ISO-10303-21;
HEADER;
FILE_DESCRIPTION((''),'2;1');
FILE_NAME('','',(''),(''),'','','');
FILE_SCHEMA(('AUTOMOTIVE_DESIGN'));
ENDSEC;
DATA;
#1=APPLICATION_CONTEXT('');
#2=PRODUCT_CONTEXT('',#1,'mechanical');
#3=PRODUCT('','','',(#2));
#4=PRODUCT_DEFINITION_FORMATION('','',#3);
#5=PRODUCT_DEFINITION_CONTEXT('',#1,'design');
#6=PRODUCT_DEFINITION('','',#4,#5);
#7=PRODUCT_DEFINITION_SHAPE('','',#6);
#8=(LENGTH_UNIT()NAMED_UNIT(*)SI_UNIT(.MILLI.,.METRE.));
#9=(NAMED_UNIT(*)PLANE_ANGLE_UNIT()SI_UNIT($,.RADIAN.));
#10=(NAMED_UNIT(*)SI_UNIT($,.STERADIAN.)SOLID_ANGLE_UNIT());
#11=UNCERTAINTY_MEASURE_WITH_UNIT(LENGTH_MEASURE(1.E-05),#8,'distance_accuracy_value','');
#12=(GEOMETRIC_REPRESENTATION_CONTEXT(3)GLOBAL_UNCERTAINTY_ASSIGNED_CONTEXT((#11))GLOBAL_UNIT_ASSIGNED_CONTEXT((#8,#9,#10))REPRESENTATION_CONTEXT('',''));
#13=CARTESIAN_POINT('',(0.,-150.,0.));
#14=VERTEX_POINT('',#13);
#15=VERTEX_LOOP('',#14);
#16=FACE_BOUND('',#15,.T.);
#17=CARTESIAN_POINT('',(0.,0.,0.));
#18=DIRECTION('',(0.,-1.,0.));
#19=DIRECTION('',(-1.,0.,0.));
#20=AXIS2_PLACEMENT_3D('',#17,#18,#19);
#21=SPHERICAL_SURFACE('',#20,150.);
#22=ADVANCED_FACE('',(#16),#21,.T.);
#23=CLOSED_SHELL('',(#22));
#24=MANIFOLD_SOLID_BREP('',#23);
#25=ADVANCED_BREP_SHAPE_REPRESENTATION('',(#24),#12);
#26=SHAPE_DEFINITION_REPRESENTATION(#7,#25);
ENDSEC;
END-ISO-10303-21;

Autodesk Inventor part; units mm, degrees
ref_plane "YZ Plane" through (0, 0, 0) normal (1, 0, 0) x (0, 1, 0)
ref_plane "XZ Plane" through (0, 0, 0) normal (0, 1, 0) x (-1, 0, 0)
ref_plane "XY Plane" through (0, 0, 0) normal (0, 0, 1) x (1, 0, 0)
sketch "Sketch3" plane through (0, 0, 0) normal (0, 0, 1) x (1, 0, 0)
  arc A0 (0, 150) -> (0, -150) centre (0, 0) ccw
  line L0 (0, 150) -> (0, -150)
  dimension "d1" = 300
revolve "Revolution1" add sketch "Sketch3" angle 360 about axis through (0, 150, 0) along (0, -1, 0)
properties part number "A Ball" material "Aluminum 6061"
